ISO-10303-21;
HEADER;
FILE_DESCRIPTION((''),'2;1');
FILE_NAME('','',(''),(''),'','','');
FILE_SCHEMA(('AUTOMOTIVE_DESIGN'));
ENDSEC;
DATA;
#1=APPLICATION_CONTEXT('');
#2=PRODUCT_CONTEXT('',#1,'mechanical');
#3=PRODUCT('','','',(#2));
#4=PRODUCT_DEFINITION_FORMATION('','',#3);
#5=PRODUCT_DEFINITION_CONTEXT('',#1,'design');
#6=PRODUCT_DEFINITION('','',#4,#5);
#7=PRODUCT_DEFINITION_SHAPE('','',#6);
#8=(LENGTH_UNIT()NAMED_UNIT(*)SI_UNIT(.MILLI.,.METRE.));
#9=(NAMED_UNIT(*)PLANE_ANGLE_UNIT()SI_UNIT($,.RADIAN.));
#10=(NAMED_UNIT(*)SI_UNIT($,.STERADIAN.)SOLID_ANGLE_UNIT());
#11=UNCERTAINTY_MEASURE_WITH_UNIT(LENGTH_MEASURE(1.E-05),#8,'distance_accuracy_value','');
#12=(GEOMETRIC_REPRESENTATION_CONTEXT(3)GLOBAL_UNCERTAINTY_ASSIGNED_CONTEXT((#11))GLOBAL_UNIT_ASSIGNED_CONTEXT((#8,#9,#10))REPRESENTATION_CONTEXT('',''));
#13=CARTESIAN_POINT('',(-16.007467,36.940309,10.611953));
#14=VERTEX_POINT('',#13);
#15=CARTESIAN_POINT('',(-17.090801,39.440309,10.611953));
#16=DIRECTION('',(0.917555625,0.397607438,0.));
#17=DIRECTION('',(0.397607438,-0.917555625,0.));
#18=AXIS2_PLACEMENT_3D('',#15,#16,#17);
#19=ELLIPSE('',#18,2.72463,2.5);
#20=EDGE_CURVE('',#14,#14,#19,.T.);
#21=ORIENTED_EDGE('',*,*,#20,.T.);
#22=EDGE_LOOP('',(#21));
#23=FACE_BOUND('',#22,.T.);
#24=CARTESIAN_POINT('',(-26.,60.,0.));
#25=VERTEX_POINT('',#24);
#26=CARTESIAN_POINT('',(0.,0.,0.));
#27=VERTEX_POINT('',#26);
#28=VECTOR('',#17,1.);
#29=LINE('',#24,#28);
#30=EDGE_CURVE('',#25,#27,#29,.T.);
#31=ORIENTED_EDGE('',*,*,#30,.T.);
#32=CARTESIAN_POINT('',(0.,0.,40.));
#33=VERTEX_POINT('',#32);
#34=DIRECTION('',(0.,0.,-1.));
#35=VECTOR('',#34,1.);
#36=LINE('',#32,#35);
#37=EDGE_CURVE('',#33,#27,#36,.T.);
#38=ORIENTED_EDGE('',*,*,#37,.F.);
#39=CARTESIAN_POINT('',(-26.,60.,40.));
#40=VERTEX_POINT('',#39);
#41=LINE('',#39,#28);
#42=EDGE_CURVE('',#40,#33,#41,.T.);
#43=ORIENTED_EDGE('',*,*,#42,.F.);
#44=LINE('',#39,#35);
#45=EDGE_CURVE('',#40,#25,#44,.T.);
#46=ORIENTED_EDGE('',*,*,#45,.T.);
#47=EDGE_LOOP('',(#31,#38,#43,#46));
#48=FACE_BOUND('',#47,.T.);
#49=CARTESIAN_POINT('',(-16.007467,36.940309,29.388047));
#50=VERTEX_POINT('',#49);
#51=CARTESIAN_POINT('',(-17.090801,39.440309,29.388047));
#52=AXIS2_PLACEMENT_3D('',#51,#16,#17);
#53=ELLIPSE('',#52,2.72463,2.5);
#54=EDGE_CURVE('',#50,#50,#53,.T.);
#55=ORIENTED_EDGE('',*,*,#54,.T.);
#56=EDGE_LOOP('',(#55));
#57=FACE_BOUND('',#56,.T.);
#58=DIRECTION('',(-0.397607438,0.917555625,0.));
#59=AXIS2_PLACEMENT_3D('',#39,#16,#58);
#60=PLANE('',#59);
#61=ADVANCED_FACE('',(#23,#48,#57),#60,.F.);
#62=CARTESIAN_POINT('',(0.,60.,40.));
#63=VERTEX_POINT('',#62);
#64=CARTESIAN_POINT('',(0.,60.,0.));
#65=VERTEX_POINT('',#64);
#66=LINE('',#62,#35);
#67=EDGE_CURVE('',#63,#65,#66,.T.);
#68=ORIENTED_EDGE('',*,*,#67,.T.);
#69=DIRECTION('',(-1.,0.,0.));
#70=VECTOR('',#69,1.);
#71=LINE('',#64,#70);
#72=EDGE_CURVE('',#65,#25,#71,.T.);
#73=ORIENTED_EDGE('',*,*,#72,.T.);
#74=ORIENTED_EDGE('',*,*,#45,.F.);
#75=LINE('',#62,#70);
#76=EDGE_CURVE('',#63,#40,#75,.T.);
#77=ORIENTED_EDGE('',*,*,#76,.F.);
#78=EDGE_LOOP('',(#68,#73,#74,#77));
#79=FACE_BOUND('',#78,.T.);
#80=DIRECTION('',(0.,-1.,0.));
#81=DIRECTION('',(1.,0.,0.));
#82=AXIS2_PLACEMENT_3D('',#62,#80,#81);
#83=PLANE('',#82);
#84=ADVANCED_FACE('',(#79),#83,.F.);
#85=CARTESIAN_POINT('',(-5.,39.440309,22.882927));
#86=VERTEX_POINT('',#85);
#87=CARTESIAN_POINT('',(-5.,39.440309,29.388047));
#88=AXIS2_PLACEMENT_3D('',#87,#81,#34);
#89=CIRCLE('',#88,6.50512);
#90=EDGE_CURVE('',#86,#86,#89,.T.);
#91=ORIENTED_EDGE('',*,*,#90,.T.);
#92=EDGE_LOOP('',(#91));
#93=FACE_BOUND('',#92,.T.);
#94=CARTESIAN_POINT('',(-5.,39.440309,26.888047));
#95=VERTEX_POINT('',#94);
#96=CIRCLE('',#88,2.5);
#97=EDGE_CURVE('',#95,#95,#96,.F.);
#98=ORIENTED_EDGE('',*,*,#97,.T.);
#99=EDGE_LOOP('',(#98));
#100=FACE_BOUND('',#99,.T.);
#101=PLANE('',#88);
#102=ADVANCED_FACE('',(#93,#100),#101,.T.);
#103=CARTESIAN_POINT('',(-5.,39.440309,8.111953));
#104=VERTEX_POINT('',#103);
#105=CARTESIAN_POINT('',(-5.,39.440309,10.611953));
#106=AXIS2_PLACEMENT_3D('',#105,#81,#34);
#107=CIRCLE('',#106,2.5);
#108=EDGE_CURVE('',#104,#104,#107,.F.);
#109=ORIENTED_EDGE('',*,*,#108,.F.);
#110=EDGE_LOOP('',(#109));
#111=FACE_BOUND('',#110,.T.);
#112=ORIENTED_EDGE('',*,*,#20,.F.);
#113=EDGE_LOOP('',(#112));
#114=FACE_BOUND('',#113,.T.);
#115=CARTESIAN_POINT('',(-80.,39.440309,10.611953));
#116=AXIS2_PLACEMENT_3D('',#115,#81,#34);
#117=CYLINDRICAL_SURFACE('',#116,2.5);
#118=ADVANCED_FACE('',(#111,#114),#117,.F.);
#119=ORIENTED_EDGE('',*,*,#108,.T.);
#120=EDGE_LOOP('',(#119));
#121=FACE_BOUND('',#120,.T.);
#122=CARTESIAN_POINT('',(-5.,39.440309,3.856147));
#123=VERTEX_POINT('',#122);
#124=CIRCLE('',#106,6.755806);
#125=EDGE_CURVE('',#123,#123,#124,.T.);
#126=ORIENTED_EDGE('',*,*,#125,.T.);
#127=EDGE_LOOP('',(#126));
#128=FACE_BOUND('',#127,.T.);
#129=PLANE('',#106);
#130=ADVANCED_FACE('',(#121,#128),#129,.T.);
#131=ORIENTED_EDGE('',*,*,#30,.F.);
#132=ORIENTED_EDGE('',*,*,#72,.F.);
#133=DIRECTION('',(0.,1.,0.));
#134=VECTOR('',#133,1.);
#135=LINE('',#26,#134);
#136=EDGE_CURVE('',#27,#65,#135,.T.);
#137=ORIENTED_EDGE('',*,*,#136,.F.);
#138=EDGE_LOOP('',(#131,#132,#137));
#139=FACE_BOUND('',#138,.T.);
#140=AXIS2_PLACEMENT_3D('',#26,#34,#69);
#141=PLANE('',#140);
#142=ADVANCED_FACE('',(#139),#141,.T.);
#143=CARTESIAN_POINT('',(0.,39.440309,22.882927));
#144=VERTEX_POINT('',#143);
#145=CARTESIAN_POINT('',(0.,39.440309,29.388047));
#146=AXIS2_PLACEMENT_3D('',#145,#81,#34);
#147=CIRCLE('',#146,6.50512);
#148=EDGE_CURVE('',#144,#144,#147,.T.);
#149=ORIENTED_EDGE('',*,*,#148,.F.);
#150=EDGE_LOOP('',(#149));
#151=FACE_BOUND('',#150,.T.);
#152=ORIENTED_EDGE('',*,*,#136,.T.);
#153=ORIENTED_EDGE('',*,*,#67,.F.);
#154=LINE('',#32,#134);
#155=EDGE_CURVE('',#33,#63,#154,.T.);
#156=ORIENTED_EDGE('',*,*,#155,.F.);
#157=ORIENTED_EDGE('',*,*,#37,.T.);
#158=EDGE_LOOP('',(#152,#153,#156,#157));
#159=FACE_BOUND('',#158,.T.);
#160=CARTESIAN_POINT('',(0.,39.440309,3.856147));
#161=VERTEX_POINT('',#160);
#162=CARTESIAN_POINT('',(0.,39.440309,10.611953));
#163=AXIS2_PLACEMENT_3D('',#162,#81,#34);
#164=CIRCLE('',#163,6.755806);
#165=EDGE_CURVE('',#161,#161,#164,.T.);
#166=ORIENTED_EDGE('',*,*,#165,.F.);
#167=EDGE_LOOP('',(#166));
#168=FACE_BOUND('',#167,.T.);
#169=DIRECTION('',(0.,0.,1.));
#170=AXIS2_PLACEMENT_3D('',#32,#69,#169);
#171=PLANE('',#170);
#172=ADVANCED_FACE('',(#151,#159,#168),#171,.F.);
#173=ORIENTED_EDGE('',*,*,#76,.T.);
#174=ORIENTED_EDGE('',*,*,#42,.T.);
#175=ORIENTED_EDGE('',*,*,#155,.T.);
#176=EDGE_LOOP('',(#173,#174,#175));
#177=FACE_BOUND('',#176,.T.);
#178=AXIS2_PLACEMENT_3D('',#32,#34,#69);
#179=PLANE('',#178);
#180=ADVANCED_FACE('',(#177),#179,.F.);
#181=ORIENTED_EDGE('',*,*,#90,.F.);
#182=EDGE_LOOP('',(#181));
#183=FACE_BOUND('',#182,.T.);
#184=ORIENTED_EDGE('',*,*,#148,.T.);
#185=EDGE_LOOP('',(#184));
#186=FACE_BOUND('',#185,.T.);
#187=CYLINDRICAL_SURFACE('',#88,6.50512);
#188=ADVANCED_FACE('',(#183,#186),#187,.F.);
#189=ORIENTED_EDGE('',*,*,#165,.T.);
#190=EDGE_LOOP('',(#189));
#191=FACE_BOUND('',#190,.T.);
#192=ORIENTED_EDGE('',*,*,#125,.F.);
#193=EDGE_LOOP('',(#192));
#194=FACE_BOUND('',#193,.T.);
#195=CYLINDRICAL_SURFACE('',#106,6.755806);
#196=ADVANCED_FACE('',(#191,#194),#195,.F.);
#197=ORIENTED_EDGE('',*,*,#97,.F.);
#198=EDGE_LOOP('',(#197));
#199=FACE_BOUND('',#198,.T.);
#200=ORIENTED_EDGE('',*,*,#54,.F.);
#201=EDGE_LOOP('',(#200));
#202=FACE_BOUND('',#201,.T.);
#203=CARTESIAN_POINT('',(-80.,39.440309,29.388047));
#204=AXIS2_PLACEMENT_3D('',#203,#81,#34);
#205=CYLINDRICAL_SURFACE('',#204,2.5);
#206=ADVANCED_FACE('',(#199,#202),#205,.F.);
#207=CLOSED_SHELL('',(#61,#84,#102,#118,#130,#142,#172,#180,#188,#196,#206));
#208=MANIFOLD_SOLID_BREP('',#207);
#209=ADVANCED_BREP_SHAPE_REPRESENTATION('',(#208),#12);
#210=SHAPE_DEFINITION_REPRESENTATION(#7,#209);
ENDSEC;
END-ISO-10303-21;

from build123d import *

# Parameters (mm, degrees)
BOSS_EXTRU_1_DEPTH      = 40
ESQUISSE4_R             = 2.5
ENL_V_MAT_EXTRU_2_DEPTH = 80
ESQUISSE6_R             = 6.505119939
ESQUISSE6_R_2           = 6.755806102
ENL_V_MAT_EXTRU_3_DEPTH = 5


with BuildPart() as part:
    # Esquisse2 → Boss.-Extru.1 (new body)
    with BuildSketch(Plane.XY):
        Polygon((0, 0), (0, 60), (-26, 60), align=None)
    extrude(amount=BOSS_EXTRU_1_DEPTH)

    # Esquisse4 → Enlèv. mat.-Extru.2 (cut)
    with BuildSketch(Plane(origin=(0, 0, 0), x_dir=(0, 0, -1), z_dir=(1, 0, 0))):
        with Locations((-29.388047062, 39.440308957)):
            Circle(ESQUISSE4_R)
        with Locations((-10.611952938, 39.440308957)):
            Circle(ESQUISSE4_R)
    extrude(amount=-ENL_V_MAT_EXTRU_2_DEPTH, mode=Mode.SUBTRACT)

    # Esquisse6 → Enlèv. mat.-Extru.3 (cut)
    with BuildSketch(Plane(origin=(0, 0, 0), x_dir=(0, 0, -1), z_dir=(1, 0, 0))):
        with Locations((-29.388047062, 39.440308957)):
            Circle(ESQUISSE6_R)
        with Locations((-10.611952938, 39.440308957)):
            Circle(ESQUISSE6_R_2)
    extrude(amount=-ENL_V_MAT_EXTRU_3_DEPTH, mode=Mode.SUBTRACT)


solid = part.part
